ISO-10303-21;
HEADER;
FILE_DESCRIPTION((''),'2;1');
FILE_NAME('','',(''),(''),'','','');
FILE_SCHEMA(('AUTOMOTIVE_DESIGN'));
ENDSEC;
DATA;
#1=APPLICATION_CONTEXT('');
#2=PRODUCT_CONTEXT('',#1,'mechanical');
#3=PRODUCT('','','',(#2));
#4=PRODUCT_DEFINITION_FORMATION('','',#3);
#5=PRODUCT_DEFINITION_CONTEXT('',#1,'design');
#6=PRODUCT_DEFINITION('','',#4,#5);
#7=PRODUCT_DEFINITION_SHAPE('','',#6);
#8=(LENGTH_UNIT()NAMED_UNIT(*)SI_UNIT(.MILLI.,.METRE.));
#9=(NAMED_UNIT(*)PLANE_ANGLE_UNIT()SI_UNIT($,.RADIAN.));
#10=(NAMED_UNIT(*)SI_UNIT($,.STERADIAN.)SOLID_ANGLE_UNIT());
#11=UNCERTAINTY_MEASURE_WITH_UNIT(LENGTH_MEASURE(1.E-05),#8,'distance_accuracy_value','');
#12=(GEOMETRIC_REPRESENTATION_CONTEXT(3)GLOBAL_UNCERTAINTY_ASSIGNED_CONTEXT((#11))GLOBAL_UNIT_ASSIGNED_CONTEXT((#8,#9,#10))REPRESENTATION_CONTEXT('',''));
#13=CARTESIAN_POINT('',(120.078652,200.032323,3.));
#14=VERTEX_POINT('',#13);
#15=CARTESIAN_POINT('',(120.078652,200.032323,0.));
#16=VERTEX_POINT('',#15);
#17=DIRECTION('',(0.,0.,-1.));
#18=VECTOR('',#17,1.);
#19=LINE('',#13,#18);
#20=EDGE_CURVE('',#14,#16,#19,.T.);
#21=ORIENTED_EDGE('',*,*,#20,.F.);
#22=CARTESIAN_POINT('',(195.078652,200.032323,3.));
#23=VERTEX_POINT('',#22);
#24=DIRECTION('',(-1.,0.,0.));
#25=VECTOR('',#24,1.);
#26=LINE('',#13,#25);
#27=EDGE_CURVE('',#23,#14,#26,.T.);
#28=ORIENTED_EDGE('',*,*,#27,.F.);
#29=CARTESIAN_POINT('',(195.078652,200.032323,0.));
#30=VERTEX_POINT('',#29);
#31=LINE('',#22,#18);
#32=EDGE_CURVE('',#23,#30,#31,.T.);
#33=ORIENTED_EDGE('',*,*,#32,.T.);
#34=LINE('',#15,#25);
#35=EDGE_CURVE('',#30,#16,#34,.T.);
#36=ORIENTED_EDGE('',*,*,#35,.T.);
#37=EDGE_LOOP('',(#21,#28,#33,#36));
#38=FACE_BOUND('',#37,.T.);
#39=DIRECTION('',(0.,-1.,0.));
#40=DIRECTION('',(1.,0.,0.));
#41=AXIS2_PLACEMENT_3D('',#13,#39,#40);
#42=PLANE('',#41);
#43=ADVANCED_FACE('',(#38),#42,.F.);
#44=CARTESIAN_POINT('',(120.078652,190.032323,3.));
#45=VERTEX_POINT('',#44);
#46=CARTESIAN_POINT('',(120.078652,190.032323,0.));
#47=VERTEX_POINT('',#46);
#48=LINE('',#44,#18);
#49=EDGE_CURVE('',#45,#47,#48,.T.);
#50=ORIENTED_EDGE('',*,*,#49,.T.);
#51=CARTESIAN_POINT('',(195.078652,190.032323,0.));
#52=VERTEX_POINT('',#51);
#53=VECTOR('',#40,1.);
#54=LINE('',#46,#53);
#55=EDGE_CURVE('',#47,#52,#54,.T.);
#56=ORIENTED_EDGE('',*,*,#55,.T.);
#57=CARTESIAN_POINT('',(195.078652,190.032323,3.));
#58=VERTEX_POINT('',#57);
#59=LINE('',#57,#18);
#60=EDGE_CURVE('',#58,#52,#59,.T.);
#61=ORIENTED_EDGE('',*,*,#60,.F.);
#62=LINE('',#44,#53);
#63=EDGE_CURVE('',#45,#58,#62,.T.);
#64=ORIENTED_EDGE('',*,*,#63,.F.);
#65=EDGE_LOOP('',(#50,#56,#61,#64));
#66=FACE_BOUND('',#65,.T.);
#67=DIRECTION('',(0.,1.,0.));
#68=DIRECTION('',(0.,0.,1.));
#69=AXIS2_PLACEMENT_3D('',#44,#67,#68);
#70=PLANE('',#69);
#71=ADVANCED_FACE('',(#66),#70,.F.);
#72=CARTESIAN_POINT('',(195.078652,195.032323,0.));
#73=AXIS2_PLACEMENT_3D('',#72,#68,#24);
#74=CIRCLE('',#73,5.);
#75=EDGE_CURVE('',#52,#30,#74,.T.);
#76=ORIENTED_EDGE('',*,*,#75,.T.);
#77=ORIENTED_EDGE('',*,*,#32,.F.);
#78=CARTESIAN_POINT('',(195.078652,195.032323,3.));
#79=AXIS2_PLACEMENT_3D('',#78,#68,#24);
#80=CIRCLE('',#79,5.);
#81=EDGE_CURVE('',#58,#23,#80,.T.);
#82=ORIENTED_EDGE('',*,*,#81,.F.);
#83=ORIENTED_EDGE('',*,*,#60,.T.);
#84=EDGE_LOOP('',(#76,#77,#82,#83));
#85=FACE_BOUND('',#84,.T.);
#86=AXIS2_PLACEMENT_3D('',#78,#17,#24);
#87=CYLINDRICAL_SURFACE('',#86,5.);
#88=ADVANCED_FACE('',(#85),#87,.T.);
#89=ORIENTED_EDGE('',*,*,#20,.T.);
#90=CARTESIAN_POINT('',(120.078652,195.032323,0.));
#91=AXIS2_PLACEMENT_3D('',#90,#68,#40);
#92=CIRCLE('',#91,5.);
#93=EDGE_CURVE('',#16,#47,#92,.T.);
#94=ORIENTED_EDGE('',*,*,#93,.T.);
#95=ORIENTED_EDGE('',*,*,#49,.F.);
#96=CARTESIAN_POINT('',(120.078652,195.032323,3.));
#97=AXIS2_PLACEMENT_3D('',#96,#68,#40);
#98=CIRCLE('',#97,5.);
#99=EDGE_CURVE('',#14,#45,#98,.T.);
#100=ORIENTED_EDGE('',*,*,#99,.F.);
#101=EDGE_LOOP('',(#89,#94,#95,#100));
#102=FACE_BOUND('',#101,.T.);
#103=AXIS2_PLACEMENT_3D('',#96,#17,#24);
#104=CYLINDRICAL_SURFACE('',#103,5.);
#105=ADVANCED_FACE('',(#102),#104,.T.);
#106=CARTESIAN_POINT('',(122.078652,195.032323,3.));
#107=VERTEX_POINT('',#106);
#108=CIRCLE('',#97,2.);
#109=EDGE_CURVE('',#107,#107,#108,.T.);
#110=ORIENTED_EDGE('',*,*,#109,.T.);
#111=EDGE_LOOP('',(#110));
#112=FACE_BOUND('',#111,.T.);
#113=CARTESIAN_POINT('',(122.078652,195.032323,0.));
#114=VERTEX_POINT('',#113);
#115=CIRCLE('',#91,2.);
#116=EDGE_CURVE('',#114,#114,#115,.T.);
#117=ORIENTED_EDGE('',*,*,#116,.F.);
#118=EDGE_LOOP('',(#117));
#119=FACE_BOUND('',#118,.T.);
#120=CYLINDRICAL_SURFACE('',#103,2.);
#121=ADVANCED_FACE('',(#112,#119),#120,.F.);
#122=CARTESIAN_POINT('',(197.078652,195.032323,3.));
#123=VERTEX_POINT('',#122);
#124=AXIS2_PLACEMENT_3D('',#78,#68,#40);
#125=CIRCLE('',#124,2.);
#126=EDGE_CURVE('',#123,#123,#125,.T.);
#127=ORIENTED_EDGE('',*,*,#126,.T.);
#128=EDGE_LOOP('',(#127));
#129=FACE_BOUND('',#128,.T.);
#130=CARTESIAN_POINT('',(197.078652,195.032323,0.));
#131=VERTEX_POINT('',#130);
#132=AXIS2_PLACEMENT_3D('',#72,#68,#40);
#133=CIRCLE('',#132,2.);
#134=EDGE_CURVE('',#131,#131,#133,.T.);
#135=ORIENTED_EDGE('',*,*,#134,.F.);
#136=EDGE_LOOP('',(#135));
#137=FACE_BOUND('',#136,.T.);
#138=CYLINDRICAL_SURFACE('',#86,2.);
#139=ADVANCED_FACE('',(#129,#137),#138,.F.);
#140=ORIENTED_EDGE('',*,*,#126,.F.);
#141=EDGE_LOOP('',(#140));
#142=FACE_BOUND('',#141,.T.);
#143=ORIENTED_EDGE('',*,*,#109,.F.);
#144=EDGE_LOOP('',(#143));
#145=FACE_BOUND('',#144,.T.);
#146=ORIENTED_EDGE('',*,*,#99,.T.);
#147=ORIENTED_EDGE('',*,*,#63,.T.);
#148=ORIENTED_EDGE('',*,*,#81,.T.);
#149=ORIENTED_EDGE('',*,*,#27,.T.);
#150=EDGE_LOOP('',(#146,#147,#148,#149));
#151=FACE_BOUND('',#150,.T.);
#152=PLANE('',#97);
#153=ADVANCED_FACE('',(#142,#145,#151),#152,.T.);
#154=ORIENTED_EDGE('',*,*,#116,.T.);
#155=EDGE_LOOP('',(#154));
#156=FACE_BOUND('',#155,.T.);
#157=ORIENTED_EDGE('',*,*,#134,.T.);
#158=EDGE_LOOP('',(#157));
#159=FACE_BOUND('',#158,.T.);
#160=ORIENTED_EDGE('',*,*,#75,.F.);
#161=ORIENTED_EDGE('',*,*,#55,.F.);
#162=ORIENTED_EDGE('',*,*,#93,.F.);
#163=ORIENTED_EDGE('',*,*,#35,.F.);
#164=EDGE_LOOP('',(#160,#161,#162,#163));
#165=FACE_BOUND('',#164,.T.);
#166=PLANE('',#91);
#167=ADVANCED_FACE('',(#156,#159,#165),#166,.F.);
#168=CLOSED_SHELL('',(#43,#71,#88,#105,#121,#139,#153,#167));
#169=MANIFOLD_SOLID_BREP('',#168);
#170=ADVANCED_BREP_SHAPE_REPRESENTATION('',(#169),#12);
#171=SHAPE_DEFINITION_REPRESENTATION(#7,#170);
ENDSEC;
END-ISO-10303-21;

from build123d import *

# Parameters (mm, degrees)
SKETCH1_R           = 2
BOSS_EXTRUDE1_DEPTH = 3


with BuildPart() as part:
    # Sketch1 → Boss-Extrude1 (new body)
    with BuildSketch(Plane.XY):
        with BuildLine():
            Line((120.078651701, 190.032322866), (195.078651701, 190.032322866))
            ThreePointArc((195.078651701, 190.032322866), (200.078651701, 195.032322866), (195.078651701, 200.032322866))
            Line((195.078651701, 200.032322866), (120.078651701, 200.032322866))
            ThreePointArc((120.078651701, 200.032322866), (115.078651701, 195.032322866), (120.078651701, 190.032322866))
        make_face()
        with Locations((120.078651701, 195.032322866)):
            Circle(SKETCH1_R, mode=Mode.SUBTRACT)
        with Locations((195.078651701, 195.032322866)):
            Circle(SKETCH1_R, mode=Mode.SUBTRACT)
    extrude(amount=BOSS_EXTRUDE1_DEPTH)


solid = part.part
